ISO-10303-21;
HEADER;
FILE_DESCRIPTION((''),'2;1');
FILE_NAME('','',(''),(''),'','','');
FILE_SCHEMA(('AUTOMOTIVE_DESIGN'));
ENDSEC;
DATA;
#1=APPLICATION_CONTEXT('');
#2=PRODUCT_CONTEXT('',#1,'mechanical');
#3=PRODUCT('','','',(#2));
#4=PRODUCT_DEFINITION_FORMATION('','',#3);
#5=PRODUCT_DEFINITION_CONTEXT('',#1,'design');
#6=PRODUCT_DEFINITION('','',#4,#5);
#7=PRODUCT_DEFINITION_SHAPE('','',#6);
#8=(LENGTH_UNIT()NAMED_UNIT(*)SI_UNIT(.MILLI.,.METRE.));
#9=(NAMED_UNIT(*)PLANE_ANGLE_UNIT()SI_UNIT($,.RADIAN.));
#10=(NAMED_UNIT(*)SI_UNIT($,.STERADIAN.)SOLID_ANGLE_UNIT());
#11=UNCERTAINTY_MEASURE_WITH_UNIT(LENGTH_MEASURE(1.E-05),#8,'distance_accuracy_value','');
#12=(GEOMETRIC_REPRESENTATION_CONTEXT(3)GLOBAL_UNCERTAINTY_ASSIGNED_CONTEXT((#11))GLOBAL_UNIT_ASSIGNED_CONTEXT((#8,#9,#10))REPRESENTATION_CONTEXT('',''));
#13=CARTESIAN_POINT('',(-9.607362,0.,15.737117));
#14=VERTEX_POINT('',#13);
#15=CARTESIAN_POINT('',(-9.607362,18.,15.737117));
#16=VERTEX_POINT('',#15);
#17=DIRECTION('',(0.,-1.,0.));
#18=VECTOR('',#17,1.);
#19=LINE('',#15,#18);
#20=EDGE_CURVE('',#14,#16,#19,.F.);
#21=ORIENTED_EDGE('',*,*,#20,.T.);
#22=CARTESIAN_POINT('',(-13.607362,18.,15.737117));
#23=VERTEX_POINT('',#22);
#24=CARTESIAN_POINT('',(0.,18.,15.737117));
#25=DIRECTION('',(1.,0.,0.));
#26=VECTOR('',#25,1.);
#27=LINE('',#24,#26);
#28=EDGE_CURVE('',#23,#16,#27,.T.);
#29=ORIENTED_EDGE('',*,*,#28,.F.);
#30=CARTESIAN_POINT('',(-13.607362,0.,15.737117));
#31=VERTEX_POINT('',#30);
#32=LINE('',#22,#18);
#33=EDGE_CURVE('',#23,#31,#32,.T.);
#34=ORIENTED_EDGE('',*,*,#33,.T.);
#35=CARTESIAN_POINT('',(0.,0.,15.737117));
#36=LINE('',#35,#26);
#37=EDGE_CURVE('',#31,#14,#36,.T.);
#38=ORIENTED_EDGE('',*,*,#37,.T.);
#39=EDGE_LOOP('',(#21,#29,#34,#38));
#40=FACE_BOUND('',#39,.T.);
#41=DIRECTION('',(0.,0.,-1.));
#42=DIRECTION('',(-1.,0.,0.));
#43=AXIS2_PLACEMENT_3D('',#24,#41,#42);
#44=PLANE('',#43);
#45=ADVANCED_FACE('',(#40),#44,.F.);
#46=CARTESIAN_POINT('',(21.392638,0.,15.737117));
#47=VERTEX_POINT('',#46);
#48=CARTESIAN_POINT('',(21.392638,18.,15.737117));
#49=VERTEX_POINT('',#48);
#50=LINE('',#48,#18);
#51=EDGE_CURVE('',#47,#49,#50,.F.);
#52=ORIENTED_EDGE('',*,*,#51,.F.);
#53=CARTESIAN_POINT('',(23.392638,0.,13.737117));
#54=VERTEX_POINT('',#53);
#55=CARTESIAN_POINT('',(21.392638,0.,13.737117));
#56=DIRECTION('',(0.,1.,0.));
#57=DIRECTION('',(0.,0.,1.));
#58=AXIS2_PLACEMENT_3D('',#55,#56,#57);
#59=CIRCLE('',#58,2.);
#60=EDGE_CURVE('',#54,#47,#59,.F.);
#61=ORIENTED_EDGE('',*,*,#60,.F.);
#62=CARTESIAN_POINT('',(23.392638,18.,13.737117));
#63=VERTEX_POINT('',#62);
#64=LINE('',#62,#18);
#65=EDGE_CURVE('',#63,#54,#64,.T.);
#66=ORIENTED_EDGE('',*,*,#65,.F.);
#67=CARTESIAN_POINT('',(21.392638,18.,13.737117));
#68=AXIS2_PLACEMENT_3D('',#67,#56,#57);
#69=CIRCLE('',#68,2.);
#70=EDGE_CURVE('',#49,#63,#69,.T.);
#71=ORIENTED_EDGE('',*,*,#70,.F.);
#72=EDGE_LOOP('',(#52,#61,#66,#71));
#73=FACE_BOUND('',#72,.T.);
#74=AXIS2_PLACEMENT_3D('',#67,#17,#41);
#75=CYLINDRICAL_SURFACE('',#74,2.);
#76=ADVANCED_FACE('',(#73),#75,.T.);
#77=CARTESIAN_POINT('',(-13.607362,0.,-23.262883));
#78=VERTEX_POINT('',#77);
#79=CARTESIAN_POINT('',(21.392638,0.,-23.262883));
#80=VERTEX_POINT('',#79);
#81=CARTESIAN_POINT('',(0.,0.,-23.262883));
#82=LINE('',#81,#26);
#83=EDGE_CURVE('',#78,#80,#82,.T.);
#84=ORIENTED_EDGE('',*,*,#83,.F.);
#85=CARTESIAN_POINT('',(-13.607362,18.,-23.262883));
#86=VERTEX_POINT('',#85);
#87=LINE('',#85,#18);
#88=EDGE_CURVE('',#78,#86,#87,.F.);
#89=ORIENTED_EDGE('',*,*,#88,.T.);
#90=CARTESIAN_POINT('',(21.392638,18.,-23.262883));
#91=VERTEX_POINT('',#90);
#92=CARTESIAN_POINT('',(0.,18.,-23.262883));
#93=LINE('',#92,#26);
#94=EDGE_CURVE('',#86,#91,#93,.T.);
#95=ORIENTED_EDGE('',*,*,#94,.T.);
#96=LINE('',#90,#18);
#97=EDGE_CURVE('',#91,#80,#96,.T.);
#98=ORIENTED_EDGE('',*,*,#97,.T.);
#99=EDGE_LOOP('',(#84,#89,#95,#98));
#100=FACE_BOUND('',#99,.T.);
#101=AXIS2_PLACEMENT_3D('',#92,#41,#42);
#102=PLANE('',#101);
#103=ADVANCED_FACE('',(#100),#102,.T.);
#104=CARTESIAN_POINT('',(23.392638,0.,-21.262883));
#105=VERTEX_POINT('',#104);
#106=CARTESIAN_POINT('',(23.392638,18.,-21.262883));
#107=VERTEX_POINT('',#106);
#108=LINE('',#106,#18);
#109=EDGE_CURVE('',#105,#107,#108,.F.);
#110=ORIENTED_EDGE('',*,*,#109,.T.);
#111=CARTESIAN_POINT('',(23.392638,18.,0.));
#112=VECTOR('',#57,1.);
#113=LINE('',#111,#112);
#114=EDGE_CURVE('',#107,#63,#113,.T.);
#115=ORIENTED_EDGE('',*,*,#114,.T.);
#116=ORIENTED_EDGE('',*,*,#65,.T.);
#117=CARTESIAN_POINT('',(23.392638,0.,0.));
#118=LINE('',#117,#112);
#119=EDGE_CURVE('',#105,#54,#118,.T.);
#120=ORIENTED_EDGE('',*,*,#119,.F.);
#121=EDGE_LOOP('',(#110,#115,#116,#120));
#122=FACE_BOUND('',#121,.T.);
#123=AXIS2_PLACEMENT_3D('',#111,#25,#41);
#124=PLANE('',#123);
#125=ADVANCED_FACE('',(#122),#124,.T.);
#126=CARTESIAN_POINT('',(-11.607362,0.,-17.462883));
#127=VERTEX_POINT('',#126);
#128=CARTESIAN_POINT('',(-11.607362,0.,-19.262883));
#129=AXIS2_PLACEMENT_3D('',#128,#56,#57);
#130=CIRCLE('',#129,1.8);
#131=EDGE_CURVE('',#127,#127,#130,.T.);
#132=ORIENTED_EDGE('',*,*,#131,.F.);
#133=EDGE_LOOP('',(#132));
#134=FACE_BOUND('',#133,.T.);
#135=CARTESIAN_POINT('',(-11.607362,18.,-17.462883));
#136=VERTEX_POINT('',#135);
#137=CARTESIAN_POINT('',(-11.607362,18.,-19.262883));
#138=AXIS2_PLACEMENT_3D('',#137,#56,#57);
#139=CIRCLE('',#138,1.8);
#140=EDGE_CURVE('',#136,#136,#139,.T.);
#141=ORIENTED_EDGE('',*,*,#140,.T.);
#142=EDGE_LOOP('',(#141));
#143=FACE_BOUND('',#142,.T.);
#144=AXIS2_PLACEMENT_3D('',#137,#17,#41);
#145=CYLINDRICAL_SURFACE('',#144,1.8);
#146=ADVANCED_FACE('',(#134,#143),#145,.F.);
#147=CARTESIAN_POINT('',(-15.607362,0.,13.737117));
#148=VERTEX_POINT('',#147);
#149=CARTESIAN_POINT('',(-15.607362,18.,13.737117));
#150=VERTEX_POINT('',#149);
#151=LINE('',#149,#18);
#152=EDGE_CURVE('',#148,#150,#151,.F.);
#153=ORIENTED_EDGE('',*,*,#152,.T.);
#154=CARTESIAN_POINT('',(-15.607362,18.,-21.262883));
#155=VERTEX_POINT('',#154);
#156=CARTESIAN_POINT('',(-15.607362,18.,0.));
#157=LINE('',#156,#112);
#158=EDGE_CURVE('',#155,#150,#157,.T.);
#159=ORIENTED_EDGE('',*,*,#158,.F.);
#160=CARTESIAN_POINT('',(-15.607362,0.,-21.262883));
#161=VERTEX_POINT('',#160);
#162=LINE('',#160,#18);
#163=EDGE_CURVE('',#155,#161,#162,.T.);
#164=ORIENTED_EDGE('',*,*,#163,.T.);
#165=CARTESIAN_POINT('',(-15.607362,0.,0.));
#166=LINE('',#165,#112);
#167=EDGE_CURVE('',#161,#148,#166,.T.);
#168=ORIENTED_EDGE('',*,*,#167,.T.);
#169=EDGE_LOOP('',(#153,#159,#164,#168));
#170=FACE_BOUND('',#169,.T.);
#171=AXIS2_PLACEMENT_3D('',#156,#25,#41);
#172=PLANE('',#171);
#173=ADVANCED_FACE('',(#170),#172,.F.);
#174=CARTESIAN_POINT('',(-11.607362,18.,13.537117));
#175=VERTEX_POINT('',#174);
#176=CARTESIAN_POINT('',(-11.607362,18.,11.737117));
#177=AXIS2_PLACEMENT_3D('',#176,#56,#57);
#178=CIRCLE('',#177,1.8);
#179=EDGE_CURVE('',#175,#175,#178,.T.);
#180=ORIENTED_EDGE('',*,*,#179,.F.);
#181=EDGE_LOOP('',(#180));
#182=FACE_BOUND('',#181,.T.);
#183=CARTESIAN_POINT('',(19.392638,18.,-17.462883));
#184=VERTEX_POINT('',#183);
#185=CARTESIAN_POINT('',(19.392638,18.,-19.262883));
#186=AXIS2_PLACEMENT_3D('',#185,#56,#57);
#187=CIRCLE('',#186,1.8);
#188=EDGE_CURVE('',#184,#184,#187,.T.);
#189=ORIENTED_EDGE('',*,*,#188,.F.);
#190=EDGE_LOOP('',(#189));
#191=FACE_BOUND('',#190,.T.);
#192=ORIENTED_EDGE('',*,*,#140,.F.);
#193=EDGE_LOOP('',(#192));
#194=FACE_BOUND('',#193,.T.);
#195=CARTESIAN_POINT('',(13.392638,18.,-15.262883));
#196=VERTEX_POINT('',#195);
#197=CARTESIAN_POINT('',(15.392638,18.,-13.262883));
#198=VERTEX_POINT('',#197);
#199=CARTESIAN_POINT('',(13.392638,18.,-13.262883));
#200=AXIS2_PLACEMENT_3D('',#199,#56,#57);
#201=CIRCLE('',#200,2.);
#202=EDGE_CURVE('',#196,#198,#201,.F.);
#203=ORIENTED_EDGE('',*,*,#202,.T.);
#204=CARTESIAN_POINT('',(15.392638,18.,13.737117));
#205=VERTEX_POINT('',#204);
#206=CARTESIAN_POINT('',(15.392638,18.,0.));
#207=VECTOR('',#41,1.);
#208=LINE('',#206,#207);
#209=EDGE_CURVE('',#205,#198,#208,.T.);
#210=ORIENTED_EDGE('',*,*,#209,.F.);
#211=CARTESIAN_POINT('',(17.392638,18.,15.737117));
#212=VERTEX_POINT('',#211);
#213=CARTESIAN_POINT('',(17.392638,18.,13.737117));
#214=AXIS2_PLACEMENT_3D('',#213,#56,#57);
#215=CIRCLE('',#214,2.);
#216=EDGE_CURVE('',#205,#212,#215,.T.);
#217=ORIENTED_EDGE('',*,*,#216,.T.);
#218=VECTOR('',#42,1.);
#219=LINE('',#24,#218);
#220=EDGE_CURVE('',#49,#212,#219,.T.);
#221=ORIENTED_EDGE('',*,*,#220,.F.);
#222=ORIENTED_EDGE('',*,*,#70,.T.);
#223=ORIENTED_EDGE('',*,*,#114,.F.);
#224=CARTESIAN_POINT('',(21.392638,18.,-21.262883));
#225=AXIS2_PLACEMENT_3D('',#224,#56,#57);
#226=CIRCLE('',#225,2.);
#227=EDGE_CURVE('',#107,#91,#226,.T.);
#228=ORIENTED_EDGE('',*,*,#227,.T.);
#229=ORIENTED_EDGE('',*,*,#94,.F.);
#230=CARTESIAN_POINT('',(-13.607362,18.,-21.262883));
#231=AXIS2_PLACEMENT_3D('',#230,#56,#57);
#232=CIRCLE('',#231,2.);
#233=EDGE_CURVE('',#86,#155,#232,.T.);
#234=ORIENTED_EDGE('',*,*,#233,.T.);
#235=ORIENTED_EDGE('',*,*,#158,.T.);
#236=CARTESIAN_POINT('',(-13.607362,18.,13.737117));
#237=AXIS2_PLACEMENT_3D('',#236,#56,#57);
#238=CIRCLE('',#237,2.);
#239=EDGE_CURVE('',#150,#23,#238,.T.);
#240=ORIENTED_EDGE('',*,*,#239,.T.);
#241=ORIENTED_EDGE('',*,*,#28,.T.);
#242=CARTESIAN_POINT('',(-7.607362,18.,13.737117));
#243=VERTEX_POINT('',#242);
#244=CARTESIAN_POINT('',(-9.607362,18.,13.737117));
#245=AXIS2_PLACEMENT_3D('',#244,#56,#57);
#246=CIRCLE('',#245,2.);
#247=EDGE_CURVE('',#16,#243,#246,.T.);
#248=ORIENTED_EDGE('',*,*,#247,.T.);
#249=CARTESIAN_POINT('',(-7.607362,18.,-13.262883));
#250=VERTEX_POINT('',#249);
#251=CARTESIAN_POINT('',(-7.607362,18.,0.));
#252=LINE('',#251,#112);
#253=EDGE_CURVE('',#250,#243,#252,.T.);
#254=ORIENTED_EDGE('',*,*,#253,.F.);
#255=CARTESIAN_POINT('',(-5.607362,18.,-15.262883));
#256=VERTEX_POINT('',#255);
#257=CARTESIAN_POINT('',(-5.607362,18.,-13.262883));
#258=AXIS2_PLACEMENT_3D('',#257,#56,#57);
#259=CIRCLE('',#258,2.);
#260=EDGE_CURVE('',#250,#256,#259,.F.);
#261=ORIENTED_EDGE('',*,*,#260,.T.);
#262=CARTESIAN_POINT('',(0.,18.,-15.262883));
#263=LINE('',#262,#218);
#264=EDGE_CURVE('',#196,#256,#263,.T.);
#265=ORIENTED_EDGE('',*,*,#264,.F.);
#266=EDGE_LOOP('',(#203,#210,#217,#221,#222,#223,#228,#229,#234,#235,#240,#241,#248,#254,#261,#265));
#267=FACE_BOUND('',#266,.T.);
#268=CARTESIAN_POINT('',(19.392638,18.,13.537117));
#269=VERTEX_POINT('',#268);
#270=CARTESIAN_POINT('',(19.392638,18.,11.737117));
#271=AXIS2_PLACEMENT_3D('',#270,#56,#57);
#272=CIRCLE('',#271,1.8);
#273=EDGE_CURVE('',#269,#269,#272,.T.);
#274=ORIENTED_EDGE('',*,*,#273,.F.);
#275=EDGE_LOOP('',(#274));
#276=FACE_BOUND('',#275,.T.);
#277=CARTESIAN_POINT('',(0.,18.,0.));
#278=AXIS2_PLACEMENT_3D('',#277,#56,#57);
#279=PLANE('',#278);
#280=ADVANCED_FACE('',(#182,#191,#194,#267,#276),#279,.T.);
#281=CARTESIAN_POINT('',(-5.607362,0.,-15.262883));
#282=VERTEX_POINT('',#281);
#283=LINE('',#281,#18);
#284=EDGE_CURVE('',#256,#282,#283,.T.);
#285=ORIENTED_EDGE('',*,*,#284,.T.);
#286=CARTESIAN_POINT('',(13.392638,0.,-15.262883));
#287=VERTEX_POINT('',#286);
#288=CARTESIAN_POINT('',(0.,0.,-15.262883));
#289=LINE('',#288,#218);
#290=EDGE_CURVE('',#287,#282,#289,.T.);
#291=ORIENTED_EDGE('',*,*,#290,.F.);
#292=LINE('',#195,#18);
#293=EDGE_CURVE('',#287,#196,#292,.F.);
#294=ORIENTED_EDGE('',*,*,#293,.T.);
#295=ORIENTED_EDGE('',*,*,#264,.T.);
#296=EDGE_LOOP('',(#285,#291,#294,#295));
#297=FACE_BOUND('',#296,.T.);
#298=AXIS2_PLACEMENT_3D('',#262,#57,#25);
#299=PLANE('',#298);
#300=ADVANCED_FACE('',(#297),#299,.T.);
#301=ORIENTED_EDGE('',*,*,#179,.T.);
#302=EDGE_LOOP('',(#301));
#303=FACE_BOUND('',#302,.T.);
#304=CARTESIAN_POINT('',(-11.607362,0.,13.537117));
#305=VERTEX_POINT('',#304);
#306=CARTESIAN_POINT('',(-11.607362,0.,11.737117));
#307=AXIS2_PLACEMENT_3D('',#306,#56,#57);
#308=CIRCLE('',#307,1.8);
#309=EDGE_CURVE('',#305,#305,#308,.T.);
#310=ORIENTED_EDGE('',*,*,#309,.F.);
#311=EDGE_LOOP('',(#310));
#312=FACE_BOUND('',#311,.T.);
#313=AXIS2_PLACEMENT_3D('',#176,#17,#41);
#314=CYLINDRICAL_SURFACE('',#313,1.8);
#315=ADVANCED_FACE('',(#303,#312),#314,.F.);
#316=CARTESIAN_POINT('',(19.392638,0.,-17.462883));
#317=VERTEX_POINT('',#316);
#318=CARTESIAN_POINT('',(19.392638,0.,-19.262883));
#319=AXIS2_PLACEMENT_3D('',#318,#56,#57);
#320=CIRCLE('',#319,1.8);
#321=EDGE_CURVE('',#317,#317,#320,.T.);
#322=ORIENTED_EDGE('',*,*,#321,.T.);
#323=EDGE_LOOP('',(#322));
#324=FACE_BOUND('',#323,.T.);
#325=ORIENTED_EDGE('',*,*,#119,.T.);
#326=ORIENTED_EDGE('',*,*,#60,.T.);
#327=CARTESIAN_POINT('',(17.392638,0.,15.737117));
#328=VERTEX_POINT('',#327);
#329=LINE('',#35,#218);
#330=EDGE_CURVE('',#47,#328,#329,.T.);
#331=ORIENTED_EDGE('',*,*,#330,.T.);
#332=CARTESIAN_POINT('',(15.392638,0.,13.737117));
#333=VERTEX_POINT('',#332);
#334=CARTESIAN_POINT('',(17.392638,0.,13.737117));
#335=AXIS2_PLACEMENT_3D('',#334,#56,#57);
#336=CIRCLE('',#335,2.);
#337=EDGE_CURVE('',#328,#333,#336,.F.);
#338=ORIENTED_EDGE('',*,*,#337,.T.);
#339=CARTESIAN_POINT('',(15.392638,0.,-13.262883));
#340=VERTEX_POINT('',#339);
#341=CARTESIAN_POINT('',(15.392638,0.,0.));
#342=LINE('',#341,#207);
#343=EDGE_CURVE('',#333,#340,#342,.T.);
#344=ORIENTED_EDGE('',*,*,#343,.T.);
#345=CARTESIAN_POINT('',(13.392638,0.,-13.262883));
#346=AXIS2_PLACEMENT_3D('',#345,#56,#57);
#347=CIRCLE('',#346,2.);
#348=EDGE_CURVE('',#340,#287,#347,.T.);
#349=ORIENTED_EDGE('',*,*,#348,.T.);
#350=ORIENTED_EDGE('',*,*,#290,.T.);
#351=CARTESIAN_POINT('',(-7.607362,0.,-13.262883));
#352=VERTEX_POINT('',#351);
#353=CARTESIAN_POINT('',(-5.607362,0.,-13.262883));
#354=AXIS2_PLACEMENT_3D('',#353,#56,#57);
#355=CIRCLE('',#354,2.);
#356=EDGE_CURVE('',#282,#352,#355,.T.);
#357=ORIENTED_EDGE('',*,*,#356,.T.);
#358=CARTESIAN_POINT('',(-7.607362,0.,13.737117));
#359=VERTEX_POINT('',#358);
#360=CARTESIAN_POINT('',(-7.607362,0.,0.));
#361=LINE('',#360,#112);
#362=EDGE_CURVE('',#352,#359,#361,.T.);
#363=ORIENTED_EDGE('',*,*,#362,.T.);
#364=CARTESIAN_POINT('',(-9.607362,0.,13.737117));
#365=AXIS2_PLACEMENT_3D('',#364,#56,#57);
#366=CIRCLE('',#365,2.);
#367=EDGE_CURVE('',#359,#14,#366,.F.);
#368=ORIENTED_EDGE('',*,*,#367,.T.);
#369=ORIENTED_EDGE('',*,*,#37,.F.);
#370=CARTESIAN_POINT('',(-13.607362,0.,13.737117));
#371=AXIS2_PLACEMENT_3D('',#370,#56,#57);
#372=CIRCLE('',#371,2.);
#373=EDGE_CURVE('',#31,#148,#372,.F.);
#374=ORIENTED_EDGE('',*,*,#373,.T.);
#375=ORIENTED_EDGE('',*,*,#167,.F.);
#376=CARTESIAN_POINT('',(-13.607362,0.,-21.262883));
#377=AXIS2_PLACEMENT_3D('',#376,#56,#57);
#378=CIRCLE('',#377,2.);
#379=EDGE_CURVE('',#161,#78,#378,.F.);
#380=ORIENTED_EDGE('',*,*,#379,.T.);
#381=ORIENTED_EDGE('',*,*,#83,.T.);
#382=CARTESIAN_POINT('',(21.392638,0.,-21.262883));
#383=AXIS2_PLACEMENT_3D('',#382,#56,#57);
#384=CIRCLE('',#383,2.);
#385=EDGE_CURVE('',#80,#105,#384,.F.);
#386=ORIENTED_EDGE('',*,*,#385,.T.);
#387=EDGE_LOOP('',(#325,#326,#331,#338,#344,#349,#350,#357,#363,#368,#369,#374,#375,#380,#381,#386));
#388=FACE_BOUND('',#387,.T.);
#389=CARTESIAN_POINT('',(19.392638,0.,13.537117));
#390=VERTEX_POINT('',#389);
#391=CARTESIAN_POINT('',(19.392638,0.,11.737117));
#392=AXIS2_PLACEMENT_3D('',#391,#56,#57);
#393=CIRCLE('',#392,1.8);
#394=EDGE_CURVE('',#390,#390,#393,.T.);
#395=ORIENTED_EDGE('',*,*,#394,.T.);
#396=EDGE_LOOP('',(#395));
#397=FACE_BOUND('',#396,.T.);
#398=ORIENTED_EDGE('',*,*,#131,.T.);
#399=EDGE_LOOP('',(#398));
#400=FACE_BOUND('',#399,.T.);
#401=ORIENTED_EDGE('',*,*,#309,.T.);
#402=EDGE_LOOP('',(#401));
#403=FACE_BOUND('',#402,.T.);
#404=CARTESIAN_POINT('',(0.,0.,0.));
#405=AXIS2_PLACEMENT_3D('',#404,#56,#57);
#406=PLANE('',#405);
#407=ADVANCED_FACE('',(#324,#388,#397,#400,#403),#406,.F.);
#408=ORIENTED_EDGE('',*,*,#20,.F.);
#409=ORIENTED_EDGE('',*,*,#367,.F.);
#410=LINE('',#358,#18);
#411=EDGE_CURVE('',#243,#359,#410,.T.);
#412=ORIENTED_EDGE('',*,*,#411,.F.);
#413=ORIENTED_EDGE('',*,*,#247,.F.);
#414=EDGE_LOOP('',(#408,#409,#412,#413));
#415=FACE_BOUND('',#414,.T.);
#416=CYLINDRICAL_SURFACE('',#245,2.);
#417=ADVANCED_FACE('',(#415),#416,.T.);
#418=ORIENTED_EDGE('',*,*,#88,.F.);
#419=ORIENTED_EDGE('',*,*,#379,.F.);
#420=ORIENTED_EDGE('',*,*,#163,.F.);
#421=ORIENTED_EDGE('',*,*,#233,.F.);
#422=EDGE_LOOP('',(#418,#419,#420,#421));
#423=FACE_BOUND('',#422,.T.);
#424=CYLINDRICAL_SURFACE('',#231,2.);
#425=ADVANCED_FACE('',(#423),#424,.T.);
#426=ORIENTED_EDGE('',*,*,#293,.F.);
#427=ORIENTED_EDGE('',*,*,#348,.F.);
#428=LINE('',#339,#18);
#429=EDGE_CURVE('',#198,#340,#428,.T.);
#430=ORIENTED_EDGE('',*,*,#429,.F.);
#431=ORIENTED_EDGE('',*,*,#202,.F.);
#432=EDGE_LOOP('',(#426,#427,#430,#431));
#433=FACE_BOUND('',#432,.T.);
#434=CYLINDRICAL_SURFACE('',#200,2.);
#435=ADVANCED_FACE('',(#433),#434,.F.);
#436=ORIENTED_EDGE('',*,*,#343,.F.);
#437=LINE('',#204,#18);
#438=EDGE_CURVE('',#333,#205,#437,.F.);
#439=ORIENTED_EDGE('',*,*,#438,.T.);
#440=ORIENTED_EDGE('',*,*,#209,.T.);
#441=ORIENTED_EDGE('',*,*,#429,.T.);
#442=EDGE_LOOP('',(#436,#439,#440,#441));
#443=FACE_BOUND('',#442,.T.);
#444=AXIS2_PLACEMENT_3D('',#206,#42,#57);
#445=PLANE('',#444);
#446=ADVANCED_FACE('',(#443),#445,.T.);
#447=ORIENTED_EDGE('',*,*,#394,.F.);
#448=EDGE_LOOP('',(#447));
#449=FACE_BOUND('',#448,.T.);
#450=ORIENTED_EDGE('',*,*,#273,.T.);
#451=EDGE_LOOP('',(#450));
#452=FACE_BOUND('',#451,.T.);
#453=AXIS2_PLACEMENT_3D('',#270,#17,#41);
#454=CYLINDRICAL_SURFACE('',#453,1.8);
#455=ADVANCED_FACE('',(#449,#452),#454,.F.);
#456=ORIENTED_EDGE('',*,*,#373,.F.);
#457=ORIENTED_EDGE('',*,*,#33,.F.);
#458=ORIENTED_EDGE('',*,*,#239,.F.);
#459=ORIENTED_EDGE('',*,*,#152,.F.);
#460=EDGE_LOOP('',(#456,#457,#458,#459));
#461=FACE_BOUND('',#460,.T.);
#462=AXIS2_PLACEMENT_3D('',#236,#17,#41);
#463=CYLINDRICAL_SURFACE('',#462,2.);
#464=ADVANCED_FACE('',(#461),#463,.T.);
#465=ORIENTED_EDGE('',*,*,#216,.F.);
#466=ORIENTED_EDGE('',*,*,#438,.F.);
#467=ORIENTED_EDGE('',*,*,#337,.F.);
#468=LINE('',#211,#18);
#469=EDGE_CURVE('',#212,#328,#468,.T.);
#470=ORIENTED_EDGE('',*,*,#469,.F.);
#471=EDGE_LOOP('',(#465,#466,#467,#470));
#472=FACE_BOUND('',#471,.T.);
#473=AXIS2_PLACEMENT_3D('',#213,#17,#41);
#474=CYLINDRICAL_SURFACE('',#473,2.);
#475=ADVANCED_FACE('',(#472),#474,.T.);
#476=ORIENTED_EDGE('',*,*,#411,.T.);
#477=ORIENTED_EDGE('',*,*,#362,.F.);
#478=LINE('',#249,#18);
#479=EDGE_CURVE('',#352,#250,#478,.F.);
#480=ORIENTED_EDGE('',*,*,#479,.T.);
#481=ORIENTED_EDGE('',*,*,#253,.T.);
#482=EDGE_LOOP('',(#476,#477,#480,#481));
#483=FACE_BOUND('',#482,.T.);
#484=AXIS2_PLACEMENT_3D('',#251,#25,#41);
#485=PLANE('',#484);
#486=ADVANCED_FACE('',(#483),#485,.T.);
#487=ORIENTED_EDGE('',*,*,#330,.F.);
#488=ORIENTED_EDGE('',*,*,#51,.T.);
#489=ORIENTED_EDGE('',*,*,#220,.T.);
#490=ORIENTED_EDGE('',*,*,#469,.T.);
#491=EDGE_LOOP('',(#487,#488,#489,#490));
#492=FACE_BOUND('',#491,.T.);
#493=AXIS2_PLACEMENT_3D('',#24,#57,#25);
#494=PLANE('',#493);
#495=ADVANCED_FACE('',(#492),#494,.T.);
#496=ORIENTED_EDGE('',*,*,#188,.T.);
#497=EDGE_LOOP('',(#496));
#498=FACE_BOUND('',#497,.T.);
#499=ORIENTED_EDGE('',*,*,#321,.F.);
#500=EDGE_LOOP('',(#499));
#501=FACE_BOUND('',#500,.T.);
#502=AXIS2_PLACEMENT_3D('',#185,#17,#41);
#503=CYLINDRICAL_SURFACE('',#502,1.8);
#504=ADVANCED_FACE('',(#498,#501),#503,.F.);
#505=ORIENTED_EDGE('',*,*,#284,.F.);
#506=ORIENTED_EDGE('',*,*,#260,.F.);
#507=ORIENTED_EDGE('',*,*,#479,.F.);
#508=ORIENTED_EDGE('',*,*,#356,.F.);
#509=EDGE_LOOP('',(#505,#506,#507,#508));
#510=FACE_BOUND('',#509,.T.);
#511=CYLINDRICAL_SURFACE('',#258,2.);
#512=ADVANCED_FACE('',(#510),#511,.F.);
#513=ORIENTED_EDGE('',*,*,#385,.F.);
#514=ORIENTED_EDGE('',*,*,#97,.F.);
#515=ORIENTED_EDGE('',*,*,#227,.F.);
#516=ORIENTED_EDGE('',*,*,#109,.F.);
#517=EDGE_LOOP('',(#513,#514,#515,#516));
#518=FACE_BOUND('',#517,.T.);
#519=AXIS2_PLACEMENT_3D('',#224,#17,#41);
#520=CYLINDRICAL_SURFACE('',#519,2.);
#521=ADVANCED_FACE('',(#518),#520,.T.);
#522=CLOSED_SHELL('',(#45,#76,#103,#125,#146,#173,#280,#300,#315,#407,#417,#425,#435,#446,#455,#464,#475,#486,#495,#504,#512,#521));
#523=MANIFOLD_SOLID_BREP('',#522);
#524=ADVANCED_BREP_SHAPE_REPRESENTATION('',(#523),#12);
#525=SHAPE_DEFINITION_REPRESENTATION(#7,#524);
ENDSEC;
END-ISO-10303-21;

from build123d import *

# Parameters (mm, degrees)
SKETCH1_R           = 1.8
BOSS_EXTRUDE1_DEPTH = 18
FILLET1_R           = 2


with BuildPart() as part:
    # Sketch1 → Boss-Extrude1 (new body)
    with BuildSketch(Plane(origin=(0, 0, 0), x_dir=(1, 0, 0), z_dir=(0, 1, 0))):
        Polygon((-15.607361963, 23.262883436), (-15.607361963, -15.737116564), (-7.607361963, -15.737116564), (-7.607361963, 15.262883436), (15.392638037, 15.262883436), (15.392638037, -15.737116564), (23.392638037, -15.737116564), (23.392638037, 23.262883436), align=None)
        with Locations(Location((-11.607361963, -11.737116564, 0), (0, 0, 270))):
            Circle(SKETCH1_R, mode=Mode.SUBTRACT)
        with Locations(Location((19.392638037, -11.737116564, 0), (0, 0, 270))):
            Circle(SKETCH1_R, mode=Mode.SUBTRACT)
        with Locations(Location((19.392638037, 19.262883436, 0), (0, 0, 270))):
            Circle(SKETCH1_R, mode=Mode.SUBTRACT)
        with Locations(Location((-11.607361963, 19.262883436, 0), (0, 0, 270))):
            Circle(SKETCH1_R, mode=Mode.SUBTRACT)
    extrude(amount=BOSS_EXTRUDE1_DEPTH)

    # Fillet1
    fillet1_edges = [part.edges().sort_by_distance(p)[0] for p in [
        (-15.607361963, 9, -23.262883436),
        (23.392638037, 9, -23.262883436),
        (23.392638037, 9, 15.737116564),
        (15.392638037, 9, 15.737116564),
        (15.392638037, 9, -15.262883436),
        (-7.607361963, 9, -15.262883436),
        (-7.607361963, 9, 15.737116564),
        (-15.607361963, 9, 15.737116564),
    ]]
    fillet(fillet1_edges, radius=FILLET1_R)


solid = part.part
